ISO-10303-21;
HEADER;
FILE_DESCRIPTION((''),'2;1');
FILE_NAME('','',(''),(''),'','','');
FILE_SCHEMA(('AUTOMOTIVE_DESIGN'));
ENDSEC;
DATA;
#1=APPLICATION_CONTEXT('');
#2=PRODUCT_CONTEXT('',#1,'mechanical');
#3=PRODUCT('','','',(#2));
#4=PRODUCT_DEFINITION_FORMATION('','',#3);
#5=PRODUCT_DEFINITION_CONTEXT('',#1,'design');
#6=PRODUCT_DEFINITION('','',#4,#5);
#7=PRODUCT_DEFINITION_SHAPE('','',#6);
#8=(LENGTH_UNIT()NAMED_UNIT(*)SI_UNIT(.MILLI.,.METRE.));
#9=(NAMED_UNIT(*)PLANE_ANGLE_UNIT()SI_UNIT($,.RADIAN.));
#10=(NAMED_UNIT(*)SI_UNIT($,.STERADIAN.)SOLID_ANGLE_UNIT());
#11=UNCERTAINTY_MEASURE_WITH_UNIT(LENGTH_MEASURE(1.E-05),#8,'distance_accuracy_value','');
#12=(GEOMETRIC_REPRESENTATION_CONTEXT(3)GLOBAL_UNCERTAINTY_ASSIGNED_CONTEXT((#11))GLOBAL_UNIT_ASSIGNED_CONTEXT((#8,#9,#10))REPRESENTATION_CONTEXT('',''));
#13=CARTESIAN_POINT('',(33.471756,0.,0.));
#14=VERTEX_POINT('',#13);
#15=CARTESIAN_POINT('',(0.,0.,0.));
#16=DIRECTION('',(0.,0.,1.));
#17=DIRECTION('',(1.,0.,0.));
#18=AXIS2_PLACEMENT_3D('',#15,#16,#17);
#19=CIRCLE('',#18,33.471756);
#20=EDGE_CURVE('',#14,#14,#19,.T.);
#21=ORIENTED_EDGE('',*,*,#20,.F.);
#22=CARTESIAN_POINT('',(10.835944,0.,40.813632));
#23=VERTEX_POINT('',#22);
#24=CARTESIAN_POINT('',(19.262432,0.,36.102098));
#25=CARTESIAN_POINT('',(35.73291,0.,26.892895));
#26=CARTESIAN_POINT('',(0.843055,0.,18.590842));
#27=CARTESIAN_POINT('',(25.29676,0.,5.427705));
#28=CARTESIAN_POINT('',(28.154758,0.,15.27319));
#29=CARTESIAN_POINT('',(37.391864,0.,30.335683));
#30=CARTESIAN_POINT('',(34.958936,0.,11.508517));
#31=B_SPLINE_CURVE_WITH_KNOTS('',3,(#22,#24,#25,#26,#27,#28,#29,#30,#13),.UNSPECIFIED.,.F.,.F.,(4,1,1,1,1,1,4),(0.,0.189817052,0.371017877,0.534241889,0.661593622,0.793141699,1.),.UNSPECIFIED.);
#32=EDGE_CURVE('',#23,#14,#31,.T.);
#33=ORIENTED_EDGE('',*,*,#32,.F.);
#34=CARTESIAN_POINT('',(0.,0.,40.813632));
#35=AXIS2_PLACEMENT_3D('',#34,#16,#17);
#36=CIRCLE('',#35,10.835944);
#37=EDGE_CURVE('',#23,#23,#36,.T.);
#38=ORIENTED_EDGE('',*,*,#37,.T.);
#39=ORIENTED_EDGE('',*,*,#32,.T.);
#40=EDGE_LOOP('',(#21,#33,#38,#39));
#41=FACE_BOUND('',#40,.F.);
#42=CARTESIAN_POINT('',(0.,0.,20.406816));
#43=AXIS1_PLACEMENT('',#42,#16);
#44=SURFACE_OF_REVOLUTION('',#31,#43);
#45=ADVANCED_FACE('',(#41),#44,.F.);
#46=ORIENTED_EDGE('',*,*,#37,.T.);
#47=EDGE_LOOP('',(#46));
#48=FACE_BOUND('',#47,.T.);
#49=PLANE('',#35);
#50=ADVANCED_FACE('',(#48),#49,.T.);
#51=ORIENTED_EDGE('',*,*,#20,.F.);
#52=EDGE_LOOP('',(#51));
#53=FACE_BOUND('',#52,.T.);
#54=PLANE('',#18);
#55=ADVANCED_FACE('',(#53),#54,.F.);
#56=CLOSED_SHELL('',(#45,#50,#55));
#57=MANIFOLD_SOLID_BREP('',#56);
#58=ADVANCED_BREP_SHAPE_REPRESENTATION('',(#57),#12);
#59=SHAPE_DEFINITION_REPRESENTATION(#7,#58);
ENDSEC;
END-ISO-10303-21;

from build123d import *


with BuildPart() as f1:
    # F0 (on Front) → F1 (revolve)
    with BuildSketch(Plane.XZ):
        with BuildLine():
            Line((0, 40.8136323094), (0, 0))
            Line((0, 0), (33.4717556834, 0))
            add(Edge.make_bspline(
                [(10.8359437436, 40.8136323094), (19.2624316138, 36.1020976015), (35.7329099738, 26.8928954234), (0.8430551506, 18.5908419927), (25.2967601948, 5.4277049742), (28.1547580819, 15.2731904931), (37.3918644018, 30.3356829385), (34.9589362397, 11.5085170001), (33.4717556834, 0)],
                knots=[0, 0, 0, 0, 0.1898170515, 0.3710178769, 0.5342418891, 0.6615936221, 0.7931416993, 1, 1, 1, 1], degree=3))
            Line((10.8359437436, 40.8136323094), (0, 40.8136323094))
        make_face()
    revolve(axis=Axis((0, 0, 20.4068161547), (0, 0, 1)))


solid = f1.part
